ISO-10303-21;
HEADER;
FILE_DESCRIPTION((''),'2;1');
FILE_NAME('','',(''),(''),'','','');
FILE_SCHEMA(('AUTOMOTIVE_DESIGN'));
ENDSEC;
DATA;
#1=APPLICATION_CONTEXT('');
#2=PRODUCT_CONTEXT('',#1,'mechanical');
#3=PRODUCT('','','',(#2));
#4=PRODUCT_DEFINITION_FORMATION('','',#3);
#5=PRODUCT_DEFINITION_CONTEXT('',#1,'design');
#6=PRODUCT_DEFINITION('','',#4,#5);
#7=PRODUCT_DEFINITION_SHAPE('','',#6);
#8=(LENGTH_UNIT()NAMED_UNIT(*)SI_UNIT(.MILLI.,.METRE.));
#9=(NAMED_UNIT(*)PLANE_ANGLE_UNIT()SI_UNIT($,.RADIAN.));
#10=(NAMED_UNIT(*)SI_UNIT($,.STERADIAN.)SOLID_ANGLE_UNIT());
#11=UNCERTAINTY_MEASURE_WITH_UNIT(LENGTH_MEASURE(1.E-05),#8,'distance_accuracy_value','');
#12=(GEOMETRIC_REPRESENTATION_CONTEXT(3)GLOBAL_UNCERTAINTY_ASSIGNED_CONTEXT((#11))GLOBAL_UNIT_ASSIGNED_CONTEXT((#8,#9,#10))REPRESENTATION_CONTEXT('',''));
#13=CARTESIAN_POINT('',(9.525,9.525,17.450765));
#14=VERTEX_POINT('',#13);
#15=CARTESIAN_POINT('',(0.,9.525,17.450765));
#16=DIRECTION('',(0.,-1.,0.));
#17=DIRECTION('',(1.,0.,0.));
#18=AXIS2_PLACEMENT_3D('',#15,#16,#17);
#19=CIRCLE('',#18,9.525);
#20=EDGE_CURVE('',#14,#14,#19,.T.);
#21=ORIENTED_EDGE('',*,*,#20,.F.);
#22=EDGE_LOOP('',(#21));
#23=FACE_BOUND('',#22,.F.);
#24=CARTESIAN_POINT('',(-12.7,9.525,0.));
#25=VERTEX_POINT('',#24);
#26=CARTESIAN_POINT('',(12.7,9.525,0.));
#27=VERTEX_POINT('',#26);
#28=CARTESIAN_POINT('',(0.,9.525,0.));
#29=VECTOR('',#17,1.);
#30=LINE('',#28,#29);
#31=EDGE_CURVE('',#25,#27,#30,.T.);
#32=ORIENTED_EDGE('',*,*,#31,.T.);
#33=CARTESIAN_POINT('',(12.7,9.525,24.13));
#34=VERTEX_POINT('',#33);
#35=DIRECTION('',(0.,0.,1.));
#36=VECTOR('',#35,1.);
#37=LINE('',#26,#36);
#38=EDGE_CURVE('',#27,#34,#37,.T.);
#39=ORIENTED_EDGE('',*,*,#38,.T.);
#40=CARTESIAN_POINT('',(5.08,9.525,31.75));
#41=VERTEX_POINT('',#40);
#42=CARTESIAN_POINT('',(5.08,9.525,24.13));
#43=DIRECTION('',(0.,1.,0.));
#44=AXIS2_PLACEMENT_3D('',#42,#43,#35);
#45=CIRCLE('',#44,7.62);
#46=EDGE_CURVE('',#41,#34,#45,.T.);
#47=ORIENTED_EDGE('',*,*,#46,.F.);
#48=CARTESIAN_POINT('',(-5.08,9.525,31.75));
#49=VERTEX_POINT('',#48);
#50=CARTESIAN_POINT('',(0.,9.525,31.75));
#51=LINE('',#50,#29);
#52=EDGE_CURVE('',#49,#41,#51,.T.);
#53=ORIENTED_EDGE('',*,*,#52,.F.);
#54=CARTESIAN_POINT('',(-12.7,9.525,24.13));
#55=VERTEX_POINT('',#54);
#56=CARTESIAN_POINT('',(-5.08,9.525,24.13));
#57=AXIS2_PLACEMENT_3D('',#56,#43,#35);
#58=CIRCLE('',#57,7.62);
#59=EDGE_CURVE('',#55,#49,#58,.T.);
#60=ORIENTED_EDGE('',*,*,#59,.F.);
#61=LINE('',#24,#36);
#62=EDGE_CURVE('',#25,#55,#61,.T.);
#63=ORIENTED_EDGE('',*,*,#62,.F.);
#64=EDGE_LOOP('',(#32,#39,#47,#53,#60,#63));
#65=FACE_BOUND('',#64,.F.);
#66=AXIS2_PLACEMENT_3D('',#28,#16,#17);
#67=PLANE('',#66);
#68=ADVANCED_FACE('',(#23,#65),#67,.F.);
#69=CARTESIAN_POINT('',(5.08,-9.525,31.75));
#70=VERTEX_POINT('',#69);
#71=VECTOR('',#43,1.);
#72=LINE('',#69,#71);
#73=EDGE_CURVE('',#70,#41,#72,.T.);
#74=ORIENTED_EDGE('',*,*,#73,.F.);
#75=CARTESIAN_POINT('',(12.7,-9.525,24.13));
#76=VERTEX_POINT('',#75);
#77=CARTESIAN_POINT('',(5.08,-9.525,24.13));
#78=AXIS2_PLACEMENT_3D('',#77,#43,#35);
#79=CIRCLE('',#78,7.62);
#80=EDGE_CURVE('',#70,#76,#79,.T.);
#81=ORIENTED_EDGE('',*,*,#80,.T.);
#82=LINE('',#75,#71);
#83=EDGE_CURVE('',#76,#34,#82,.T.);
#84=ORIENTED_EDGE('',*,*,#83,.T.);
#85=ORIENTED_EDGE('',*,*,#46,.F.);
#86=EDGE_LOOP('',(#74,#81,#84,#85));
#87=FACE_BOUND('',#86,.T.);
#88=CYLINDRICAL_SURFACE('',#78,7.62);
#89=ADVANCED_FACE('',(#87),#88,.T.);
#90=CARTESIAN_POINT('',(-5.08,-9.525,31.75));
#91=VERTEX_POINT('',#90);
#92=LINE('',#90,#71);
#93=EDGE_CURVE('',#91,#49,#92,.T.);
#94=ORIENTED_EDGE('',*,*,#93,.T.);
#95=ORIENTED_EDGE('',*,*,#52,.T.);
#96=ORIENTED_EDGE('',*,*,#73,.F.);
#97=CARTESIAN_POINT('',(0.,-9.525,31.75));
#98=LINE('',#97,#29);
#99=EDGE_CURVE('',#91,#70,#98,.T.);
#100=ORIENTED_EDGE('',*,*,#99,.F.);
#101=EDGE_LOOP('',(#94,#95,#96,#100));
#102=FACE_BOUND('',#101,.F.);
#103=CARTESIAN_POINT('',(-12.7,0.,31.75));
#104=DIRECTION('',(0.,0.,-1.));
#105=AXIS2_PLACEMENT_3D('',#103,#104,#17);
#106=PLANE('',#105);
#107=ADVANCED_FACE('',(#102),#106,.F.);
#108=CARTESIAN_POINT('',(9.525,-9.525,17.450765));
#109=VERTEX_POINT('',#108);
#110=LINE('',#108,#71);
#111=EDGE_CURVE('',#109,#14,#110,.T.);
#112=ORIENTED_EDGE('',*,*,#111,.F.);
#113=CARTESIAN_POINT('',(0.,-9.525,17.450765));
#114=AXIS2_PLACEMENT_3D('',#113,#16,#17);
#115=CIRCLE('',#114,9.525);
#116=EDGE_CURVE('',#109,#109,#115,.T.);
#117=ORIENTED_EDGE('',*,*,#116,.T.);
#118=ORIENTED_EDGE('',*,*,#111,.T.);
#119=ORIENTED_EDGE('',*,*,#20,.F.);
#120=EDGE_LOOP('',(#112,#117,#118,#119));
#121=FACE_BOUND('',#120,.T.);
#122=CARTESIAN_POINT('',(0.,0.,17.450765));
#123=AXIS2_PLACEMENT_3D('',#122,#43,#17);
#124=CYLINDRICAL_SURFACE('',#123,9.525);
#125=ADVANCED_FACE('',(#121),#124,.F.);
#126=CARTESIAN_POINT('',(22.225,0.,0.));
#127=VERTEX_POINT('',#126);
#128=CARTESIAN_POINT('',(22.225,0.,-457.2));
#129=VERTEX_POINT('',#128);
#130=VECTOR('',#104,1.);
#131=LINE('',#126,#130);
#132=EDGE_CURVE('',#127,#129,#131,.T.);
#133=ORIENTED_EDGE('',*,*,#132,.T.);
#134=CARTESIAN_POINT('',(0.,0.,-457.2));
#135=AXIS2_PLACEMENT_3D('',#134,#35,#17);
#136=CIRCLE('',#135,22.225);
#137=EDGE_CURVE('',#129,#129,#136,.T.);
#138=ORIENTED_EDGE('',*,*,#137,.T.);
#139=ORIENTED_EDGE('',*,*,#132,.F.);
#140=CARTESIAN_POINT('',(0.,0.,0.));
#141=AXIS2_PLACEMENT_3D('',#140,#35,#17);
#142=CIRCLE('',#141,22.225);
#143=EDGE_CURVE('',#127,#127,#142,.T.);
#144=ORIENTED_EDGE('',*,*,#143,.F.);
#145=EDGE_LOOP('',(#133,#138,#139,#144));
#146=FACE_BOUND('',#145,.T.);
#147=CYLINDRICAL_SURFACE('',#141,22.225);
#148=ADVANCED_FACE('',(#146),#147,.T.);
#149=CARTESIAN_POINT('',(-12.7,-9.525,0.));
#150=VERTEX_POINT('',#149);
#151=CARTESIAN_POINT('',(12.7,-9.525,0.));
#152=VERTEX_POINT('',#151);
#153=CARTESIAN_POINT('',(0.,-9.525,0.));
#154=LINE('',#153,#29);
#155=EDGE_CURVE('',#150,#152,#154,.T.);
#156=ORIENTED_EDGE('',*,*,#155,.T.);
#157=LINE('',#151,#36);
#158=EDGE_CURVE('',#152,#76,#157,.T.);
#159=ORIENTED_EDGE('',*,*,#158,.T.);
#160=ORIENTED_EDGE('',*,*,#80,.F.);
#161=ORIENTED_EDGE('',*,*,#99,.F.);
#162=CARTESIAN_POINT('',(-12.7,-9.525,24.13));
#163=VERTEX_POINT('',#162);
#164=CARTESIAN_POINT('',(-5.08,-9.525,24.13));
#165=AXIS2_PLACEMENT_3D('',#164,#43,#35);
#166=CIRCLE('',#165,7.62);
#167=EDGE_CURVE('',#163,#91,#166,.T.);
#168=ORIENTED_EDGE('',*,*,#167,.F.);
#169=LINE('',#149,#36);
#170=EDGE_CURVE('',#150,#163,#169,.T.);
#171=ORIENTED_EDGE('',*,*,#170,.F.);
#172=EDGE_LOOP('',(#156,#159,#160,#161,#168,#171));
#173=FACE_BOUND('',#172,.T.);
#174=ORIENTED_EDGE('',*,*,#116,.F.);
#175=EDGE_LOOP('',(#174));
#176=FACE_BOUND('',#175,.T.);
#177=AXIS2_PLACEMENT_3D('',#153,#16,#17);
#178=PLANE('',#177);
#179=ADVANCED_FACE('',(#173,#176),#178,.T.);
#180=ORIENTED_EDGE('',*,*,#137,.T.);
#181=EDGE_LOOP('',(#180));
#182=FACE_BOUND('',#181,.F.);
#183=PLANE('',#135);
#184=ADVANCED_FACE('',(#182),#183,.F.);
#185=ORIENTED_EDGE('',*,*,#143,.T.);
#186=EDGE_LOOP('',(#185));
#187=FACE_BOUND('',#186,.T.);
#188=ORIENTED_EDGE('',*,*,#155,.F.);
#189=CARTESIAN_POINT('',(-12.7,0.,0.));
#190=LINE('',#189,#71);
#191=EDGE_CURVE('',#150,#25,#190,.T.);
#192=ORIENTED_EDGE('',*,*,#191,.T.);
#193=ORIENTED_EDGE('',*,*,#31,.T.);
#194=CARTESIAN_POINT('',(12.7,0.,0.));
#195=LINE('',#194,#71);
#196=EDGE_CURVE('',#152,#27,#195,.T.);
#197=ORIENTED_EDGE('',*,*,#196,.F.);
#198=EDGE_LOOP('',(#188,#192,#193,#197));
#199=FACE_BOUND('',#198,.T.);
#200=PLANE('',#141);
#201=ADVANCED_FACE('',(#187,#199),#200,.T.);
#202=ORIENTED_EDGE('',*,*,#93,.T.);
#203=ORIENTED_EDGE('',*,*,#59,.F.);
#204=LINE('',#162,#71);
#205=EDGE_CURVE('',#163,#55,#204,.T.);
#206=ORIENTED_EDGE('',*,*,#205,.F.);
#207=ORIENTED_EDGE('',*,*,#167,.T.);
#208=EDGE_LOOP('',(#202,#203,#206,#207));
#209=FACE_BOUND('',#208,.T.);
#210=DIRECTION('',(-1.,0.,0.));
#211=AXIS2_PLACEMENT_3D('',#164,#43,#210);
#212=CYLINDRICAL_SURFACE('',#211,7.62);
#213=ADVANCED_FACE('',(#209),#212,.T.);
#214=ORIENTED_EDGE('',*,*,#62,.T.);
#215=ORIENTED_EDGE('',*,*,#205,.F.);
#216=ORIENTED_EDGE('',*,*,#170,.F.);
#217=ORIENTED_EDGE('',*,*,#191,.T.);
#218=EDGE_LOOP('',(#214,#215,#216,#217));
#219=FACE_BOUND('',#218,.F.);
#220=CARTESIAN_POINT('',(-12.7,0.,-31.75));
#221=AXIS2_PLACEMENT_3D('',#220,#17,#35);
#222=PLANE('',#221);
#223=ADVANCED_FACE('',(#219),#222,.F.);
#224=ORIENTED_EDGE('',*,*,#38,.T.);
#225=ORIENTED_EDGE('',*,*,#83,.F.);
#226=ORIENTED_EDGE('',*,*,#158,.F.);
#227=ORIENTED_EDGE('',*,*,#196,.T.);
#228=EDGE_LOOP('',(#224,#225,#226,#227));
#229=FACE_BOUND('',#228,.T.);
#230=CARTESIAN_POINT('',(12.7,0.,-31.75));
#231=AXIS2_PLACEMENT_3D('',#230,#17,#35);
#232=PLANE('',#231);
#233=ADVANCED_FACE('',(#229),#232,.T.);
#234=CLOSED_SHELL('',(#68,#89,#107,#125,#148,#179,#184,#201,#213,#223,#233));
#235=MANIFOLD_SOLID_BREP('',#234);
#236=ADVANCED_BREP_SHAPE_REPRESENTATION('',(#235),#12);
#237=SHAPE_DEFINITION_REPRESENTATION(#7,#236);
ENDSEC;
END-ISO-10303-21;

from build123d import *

# Parameters (mm, degrees)
F0_R     = 22.225
F1_DEPTH = 457.2
F2_W     = 25.4
F2_H     = 63.5
F2_R     = 9.525
F3_DEPTH = 9.525
F4_R     = 7.62


with BuildPart() as f1:
    # F0 (on Top) → F1 (new body)
    with BuildSketch(Plane.XY):
        Circle(F0_R)
    extrude(amount=-F1_DEPTH)

    # F2 (on Front) → F3 (join, symmetric)
    with BuildSketch(Plane.XZ):
        Rectangle(F2_W, F2_H)
        with Locations((0, 17.4507647753)):
            Circle(F2_R, mode=Mode.SUBTRACT)
    extrude(amount=F3_DEPTH, both=True)

    # F4
    f4_edges = [f1.edges().sort_by_distance(p)[0] for p in [
        (12.7, 0, 31.75),
        (-12.7, 0, 31.75),
    ]]
    fillet(f4_edges, radius=F4_R)


solid = f1.part
